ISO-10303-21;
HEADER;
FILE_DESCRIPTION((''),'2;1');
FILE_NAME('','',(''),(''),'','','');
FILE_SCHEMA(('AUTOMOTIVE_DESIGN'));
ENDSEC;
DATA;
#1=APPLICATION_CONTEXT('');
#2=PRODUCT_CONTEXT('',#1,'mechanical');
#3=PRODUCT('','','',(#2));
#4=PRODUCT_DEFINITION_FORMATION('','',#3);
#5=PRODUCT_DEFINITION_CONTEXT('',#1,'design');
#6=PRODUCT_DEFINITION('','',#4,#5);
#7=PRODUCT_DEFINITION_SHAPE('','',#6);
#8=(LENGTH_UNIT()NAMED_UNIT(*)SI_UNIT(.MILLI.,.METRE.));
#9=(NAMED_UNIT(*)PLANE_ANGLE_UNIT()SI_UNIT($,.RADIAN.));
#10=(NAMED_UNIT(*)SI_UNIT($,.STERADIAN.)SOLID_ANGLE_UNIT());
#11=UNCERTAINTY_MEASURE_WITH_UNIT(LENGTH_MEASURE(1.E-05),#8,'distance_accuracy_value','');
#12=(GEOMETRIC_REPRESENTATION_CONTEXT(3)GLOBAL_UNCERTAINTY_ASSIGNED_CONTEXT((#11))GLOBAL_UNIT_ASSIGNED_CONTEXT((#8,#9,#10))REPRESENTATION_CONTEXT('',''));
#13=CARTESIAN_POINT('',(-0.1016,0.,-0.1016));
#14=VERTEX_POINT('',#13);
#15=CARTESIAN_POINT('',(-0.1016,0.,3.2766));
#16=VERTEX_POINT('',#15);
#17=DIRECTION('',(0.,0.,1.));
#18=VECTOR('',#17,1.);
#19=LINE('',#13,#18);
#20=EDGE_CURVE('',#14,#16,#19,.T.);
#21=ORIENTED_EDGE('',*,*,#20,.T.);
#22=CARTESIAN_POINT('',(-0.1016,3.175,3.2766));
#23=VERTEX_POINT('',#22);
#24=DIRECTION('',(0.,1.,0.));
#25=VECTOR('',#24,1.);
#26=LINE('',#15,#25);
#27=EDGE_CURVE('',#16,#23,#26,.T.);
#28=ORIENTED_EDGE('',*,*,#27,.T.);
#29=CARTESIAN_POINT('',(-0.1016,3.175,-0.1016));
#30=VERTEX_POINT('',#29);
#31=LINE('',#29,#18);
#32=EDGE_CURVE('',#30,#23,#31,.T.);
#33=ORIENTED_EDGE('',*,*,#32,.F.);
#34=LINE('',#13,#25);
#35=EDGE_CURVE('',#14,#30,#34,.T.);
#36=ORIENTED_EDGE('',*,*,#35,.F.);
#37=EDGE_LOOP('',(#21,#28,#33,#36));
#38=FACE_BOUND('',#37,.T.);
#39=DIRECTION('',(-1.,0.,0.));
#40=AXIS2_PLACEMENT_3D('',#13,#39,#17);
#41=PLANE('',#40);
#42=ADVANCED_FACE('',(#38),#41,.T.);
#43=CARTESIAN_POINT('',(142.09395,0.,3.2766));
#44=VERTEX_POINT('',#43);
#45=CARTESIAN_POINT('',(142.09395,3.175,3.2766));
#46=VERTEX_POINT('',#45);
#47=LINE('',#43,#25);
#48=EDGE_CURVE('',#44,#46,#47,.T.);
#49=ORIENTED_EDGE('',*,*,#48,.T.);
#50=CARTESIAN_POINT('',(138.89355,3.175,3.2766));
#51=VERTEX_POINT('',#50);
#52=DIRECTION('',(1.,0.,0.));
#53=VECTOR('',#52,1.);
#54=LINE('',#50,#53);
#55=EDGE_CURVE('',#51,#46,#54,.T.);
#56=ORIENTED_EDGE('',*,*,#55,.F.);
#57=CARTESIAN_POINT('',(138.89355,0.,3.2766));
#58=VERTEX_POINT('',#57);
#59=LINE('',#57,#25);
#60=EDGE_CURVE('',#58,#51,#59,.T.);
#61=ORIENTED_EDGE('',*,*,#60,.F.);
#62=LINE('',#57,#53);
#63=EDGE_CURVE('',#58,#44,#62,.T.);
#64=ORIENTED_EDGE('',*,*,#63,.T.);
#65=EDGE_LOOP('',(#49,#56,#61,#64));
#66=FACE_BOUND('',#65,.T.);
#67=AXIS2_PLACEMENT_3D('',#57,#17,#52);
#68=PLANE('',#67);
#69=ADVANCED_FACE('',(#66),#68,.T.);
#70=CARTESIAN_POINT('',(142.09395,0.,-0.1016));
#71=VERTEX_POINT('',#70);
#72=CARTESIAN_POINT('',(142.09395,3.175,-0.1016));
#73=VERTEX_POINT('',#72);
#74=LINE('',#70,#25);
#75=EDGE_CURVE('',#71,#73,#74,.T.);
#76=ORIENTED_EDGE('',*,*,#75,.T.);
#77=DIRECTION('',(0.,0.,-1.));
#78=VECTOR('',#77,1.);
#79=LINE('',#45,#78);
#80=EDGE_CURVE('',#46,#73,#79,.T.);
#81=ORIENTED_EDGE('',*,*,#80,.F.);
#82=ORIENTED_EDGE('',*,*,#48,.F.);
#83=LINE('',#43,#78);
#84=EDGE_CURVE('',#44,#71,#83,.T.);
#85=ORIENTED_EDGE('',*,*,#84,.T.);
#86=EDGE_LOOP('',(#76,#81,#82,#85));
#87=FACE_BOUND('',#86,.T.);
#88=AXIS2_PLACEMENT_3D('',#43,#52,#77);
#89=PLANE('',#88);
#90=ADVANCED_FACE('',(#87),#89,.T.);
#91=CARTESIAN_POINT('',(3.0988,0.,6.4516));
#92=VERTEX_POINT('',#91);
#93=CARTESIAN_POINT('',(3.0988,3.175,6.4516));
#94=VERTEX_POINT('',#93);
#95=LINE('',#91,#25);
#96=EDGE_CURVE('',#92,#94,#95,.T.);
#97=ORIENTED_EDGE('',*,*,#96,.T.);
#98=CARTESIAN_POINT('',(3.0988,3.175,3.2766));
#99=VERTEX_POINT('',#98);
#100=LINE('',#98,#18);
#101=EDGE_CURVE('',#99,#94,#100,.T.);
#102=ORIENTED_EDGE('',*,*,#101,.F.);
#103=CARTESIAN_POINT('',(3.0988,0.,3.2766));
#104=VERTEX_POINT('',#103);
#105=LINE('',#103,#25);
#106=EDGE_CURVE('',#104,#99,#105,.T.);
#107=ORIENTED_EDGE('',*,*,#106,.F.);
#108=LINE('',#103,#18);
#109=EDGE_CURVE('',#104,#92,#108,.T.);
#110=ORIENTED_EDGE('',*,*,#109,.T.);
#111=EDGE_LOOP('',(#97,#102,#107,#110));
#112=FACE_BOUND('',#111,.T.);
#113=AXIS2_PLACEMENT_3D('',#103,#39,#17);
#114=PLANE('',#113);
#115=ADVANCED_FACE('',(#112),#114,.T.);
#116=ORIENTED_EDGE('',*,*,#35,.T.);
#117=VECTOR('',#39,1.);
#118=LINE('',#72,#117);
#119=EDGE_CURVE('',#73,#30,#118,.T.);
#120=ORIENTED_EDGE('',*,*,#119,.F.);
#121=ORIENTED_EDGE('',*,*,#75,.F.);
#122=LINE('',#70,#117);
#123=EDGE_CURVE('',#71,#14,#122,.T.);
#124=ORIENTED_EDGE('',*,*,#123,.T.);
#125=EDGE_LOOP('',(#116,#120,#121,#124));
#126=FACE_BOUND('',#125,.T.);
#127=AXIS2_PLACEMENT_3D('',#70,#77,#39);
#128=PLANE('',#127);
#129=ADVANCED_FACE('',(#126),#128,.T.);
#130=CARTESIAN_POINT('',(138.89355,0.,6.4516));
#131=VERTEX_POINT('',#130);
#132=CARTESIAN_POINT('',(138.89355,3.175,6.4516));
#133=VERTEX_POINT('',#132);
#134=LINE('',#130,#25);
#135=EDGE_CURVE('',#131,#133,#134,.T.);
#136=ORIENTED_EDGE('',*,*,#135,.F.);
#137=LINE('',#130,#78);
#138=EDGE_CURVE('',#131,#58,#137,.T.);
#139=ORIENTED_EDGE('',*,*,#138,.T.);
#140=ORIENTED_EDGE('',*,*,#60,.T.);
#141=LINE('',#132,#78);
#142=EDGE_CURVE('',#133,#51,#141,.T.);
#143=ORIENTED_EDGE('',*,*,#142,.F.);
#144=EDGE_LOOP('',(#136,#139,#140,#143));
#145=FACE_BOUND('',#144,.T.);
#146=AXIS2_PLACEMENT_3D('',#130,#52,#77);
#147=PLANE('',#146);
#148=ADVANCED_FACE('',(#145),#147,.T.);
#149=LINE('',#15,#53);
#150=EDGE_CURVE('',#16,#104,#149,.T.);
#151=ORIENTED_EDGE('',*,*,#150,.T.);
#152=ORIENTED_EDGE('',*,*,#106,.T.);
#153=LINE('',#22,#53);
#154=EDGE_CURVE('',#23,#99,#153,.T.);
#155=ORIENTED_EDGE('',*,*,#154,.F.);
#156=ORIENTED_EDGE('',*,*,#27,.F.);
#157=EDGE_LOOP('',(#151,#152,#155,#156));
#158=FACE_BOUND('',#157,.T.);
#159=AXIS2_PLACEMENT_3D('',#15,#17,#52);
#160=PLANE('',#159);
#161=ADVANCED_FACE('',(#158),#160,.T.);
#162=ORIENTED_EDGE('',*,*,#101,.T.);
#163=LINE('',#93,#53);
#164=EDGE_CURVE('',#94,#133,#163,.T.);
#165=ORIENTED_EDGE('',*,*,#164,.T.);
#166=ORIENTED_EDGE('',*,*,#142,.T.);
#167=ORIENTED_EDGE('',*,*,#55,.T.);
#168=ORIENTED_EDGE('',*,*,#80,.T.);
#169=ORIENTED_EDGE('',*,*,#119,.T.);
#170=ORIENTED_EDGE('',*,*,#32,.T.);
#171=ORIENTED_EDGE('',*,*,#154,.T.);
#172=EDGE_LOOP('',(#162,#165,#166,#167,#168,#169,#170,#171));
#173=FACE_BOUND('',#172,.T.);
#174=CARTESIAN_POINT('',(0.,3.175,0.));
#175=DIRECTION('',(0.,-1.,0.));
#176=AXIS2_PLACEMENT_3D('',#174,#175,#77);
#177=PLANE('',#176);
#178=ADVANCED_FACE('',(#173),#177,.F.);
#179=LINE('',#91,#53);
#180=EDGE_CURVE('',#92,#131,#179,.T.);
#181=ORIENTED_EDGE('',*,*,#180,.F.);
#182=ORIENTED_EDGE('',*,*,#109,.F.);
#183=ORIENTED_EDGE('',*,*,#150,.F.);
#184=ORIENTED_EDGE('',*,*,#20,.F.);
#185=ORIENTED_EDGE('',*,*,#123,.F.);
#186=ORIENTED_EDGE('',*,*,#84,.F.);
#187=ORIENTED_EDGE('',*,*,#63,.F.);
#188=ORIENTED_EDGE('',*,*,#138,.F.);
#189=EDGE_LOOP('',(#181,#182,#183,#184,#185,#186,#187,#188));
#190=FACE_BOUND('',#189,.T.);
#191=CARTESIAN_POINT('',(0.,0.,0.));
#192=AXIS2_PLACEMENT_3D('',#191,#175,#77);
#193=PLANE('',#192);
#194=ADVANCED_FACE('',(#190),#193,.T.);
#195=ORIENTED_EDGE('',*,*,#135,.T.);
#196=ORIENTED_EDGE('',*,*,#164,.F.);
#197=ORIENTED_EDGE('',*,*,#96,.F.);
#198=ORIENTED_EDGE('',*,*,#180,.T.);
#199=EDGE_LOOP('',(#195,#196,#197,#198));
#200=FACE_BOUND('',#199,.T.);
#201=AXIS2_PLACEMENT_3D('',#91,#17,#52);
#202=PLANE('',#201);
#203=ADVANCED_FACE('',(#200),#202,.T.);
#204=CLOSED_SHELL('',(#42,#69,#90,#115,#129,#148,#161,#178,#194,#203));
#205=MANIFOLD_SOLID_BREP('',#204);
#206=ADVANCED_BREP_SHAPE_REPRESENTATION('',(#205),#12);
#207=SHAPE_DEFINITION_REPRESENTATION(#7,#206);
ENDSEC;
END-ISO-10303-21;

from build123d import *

# Parameters (mm, degrees)
BOSS_EXTRUDE1_DEPTH = 3.175
BOSS_EXTRUDE3_DEPTH = 3.175


with BuildPart() as part:
    # Sketch2 → Boss-Extrude1 (new body)
    with BuildSketch(Plane(origin=(0, 0, 0), x_dir=(1, 0, 0), z_dir=(0, 1, 0))):
        Polygon((3.2004, -6.35), (138.79195, -6.35), (138.79195, -3.175), (141.99235, -3.175), (141.99235, 0), (0, 0), (0, -3.175), (3.2004, -3.175), align=None)
    extrude(amount=BOSS_EXTRUDE1_DEPTH)

    # Sketch4 → Boss-Extrude3 (add)
    with BuildSketch(Plane(origin=(0, 3.175, 0), x_dir=(1, 0, 0), z_dir=(0, 1, 0))):
        Polygon((142.09395, -3.2766), (142.09395, 0.1016), (-0.1016, 0.1016), (-0.1016, -3.2766), (3.0988, -3.2766), (3.0988, -6.4516), (138.89355, -6.4516), (138.89355, -3.2766), align=None)
    extrude(amount=-BOSS_EXTRUDE3_DEPTH)


solid = part.part
